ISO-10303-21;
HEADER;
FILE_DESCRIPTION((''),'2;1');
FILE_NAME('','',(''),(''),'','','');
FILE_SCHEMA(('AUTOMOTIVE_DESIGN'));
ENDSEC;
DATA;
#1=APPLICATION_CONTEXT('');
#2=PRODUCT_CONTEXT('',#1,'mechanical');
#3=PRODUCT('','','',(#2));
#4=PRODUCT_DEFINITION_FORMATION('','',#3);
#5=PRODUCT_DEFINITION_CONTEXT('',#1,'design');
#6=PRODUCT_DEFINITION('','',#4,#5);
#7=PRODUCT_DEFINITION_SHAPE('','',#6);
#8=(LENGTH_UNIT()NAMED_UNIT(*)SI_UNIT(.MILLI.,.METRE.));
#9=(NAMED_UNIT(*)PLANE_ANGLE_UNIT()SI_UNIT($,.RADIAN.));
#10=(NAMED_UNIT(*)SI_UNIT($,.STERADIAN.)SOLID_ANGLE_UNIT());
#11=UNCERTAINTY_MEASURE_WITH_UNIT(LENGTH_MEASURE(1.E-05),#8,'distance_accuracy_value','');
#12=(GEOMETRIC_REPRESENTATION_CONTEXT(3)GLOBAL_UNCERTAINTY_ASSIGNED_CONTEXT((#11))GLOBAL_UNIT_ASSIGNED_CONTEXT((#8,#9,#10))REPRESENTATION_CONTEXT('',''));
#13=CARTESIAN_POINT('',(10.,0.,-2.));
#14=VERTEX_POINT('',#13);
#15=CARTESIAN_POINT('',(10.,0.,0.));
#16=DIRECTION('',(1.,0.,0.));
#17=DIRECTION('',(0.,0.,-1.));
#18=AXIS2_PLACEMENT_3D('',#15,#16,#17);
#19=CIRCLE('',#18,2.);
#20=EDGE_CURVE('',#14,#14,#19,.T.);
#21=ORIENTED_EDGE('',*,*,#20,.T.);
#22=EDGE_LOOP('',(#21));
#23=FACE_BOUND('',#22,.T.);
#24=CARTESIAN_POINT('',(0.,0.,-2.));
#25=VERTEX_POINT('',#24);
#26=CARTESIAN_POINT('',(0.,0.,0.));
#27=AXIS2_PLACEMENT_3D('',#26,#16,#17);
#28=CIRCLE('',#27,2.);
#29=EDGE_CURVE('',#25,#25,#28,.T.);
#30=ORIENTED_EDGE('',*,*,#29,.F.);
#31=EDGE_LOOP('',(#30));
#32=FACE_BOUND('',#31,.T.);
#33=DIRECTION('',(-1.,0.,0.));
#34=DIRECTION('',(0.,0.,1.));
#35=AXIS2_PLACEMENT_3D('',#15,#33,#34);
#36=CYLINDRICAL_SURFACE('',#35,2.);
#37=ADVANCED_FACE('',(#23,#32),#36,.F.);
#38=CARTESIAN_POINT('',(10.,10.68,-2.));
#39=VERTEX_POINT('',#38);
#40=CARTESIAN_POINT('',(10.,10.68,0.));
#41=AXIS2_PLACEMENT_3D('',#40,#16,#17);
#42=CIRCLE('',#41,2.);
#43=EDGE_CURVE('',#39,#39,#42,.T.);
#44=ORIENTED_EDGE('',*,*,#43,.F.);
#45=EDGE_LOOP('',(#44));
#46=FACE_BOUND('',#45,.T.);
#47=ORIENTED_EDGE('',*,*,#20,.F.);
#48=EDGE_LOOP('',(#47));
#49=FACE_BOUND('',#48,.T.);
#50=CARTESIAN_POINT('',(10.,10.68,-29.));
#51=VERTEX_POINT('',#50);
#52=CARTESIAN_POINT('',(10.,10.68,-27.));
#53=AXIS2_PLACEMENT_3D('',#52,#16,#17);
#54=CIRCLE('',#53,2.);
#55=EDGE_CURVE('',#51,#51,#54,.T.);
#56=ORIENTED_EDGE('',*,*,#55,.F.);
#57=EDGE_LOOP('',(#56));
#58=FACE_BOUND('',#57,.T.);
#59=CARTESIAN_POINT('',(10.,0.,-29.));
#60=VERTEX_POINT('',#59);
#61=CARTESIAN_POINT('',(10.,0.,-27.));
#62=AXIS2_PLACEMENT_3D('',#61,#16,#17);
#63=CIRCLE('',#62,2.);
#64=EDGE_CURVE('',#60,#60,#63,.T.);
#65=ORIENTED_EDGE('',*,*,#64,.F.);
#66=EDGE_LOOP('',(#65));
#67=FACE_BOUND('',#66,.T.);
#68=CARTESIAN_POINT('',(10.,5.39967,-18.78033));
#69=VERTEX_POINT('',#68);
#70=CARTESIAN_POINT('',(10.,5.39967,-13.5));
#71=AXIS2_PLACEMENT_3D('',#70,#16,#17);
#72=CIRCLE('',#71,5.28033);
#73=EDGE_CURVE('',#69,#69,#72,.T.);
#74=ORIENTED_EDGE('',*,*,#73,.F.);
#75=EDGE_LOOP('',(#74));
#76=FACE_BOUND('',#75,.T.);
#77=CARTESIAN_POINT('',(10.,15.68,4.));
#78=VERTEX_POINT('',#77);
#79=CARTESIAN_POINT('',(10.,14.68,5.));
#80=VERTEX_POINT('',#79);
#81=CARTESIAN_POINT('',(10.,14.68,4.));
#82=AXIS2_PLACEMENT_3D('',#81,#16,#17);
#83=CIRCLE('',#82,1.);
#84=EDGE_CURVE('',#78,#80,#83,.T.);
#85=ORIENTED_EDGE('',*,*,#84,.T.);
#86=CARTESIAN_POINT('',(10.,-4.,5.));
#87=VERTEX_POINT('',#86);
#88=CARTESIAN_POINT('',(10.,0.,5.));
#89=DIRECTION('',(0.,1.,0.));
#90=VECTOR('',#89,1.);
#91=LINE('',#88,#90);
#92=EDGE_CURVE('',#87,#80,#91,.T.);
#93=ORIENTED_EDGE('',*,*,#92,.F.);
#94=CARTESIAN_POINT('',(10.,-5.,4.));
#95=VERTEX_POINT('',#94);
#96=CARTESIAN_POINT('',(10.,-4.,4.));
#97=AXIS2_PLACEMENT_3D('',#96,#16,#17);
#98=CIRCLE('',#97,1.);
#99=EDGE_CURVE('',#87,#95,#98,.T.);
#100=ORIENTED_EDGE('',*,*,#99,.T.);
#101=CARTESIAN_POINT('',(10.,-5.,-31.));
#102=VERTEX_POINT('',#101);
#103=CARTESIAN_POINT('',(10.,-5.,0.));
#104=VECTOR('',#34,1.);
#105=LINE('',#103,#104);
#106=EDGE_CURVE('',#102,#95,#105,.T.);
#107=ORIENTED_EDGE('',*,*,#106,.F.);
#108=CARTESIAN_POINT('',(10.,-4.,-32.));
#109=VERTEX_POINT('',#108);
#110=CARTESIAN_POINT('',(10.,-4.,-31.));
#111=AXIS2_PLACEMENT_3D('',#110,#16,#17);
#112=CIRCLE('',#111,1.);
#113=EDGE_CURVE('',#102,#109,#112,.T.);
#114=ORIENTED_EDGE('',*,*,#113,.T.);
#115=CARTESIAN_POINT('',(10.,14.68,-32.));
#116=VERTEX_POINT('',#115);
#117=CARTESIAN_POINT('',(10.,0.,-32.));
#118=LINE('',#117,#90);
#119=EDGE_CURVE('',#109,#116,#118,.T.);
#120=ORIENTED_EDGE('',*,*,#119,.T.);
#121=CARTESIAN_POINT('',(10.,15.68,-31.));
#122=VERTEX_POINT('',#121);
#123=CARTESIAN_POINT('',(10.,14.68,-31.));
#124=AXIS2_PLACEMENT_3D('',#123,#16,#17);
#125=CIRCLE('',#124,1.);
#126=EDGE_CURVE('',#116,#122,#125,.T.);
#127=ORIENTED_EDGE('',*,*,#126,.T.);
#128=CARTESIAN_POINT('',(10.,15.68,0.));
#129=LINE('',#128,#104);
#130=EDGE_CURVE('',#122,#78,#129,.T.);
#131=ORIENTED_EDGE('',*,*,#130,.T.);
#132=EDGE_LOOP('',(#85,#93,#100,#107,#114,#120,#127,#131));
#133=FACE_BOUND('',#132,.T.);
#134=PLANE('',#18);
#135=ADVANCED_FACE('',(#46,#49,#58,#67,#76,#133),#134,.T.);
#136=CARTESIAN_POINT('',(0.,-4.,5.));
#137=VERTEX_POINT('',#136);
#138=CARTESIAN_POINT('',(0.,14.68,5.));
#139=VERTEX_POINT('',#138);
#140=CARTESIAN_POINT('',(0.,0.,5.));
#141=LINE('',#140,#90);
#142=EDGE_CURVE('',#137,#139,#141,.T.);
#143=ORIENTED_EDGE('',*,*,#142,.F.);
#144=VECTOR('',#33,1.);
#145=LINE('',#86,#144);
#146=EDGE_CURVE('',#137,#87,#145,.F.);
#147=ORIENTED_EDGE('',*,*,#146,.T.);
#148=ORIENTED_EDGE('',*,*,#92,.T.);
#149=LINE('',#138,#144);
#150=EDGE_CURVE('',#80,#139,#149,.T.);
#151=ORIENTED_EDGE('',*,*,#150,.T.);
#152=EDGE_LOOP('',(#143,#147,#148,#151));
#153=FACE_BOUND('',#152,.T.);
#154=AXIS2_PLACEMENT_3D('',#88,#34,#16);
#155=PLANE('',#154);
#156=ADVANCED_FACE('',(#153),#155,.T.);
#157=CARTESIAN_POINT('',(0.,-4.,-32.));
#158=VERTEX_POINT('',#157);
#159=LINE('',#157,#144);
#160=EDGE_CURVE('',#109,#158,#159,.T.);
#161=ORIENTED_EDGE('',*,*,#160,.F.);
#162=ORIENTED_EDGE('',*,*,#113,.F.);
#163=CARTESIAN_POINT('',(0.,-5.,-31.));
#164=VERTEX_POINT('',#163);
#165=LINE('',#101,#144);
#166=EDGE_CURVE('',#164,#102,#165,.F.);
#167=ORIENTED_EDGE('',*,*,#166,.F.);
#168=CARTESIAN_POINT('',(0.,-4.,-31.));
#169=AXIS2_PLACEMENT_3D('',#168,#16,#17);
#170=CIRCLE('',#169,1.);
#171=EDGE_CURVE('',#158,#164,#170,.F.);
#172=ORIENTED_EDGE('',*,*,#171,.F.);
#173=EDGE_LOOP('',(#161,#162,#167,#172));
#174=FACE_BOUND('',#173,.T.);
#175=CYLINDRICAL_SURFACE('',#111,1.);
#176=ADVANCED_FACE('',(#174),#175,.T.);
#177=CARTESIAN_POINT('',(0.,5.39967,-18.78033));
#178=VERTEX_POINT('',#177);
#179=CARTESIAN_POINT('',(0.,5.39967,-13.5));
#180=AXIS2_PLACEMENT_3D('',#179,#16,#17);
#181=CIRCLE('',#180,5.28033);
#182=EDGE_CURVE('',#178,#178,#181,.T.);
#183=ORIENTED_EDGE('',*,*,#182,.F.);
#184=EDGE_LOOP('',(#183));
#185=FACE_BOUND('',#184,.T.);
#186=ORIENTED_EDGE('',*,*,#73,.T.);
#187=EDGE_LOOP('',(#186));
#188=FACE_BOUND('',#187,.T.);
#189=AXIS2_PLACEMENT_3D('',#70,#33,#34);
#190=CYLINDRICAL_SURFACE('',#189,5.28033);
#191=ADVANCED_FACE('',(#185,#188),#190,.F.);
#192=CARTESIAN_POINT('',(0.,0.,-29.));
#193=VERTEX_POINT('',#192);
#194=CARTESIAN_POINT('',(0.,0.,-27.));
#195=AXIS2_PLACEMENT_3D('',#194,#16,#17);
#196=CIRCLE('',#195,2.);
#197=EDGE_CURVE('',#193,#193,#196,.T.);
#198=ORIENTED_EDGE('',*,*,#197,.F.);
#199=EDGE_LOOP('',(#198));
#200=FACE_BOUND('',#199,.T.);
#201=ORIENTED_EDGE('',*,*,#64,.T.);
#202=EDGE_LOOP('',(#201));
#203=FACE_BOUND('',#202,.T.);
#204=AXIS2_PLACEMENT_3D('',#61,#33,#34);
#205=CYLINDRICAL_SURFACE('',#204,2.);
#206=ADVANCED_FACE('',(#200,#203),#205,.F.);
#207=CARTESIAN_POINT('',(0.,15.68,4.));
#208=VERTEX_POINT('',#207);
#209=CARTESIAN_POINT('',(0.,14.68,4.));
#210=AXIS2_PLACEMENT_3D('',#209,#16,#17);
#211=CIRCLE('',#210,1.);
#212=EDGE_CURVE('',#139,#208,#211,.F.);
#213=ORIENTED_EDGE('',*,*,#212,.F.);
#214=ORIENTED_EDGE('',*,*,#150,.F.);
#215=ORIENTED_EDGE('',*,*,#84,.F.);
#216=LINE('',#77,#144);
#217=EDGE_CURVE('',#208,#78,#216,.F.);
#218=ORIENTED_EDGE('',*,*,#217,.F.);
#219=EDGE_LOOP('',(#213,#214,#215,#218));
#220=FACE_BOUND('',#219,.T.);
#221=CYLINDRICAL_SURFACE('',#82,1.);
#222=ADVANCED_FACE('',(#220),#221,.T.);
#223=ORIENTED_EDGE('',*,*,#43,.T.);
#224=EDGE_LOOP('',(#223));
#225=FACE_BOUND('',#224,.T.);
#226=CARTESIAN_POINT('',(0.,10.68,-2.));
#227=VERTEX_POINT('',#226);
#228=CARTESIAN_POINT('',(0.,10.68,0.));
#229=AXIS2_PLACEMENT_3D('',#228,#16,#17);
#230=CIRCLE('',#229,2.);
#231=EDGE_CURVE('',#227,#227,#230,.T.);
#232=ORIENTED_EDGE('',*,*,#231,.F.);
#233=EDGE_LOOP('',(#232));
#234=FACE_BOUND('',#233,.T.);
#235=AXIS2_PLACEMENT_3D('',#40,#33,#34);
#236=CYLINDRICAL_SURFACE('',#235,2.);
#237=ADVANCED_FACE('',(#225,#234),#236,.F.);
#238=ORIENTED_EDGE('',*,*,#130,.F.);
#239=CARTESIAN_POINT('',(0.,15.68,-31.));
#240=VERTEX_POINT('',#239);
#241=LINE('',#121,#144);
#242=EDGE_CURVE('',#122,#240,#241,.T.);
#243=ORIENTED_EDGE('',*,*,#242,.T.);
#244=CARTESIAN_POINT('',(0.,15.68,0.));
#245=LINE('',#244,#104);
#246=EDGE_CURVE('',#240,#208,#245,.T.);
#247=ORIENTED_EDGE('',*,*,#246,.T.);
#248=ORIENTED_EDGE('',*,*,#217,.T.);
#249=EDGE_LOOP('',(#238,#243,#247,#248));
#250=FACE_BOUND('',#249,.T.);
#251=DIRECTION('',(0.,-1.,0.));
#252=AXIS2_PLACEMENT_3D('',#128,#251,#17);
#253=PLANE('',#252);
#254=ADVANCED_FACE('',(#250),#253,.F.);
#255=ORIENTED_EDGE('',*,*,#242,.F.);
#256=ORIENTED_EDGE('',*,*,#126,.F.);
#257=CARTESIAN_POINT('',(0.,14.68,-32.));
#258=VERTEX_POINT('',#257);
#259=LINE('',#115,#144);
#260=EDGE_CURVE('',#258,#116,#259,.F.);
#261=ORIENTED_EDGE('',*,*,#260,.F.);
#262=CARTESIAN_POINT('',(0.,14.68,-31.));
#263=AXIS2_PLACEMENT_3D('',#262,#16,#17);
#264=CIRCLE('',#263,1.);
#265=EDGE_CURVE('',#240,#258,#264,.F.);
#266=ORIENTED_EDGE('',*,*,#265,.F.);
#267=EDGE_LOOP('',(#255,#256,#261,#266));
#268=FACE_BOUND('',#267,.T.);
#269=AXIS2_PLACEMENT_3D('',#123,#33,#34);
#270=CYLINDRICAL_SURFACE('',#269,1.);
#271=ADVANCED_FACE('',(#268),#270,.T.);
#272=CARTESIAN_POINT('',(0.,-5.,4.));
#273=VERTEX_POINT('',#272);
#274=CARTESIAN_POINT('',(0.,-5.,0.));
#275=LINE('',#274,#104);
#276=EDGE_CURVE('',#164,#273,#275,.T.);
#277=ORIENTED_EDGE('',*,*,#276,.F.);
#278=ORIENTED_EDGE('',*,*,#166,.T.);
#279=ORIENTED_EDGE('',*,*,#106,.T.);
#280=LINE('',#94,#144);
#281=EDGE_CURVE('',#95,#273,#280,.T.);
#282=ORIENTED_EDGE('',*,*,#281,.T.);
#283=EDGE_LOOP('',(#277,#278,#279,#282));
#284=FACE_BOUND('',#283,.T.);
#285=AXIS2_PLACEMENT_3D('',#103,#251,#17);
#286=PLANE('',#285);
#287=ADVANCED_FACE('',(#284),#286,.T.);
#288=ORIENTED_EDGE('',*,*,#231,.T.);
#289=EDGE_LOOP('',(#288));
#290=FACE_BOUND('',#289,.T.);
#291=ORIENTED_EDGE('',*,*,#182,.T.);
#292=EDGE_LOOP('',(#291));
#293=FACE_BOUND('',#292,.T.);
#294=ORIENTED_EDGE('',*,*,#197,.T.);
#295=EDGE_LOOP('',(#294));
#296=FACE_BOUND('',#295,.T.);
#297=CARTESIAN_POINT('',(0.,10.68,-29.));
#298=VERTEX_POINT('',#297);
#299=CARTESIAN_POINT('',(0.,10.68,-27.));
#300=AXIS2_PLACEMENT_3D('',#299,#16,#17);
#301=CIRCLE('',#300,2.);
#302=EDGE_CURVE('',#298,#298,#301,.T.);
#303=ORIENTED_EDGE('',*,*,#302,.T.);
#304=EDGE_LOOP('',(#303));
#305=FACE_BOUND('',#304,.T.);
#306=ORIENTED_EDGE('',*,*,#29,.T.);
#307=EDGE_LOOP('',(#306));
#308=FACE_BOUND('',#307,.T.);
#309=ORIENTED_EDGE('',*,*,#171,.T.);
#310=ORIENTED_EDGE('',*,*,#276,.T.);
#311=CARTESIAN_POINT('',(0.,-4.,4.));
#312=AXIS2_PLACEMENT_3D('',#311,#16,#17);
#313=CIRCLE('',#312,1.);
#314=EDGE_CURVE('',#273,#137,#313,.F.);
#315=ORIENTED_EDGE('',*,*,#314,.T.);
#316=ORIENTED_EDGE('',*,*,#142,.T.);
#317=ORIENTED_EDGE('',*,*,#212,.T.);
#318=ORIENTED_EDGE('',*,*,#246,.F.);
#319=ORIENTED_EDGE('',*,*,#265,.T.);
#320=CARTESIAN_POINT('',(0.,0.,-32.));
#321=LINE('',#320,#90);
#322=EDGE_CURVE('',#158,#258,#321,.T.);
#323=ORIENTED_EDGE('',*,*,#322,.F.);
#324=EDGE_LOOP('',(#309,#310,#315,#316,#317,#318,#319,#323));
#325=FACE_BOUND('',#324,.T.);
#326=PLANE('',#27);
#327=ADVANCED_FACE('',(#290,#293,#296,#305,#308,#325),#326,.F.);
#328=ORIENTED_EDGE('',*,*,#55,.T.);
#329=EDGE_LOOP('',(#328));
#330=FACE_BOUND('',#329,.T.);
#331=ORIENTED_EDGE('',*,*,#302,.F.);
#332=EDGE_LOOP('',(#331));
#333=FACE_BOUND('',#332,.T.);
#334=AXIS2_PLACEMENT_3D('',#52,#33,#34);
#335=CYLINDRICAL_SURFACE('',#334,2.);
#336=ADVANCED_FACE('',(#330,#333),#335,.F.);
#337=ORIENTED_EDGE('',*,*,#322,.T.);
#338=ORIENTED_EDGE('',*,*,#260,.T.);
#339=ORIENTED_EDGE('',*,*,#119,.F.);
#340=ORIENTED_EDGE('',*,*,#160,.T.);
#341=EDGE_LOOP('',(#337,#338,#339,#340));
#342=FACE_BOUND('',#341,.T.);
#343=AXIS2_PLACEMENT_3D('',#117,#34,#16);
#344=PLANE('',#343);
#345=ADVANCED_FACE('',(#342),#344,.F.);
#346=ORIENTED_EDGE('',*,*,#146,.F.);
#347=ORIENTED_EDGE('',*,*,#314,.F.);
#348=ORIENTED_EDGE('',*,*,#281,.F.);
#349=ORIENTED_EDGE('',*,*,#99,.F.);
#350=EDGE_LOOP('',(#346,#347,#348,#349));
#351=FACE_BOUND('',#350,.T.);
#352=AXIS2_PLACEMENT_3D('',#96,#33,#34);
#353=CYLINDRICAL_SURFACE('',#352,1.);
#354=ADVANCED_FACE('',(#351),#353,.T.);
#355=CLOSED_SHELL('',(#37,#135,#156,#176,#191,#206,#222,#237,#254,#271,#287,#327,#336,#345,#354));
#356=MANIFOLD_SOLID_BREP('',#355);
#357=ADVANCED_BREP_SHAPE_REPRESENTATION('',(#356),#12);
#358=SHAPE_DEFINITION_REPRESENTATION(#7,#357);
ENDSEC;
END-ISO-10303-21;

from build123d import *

# Parameters (mm, degrees)
SKETCH_1_R      = 2
SKETCH_1_R_2    = 5.280330007
EXTRUDE_1_DEPTH = 10
FILLET_1_R      = 1


with BuildPart() as part:
    # Эскиз1 → Бобышка-Вытянуть1 (new body)
    with BuildSketch(Plane(origin=(0, 0, 0), x_dir=(0, 0, -1), z_dir=(1, 0, 0))):
        Polygon((-5, 15.68), (-5, 10.68), (-5, 0), (-5, -5), (27, -5), (32, -5), (32, 15.68), align=None)
        Circle(SKETCH_1_R, mode=Mode.SUBTRACT)
        with Locations((27, 0)):
            Circle(SKETCH_1_R, mode=Mode.SUBTRACT)
        with Locations((0, 10.68)):
            Circle(SKETCH_1_R, mode=Mode.SUBTRACT)
        with Locations((13.5, 5.399669993)):
            Circle(SKETCH_1_R_2, mode=Mode.SUBTRACT)
        with Locations((27, 10.68)):
            Circle(SKETCH_1_R, mode=Mode.SUBTRACT)
    extrude(amount=EXTRUDE_1_DEPTH)

    # Скругление1
    fillet_1_edges = [part.edges().sort_by_distance(p)[0] for p in [
        (5, -5, -32),
        (5, -5, 5),
        (5, 15.68, 5),
        (5, 15.68, -32),
    ]]
    fillet(fillet_1_edges, radius=FILLET_1_R)


solid = part.part
